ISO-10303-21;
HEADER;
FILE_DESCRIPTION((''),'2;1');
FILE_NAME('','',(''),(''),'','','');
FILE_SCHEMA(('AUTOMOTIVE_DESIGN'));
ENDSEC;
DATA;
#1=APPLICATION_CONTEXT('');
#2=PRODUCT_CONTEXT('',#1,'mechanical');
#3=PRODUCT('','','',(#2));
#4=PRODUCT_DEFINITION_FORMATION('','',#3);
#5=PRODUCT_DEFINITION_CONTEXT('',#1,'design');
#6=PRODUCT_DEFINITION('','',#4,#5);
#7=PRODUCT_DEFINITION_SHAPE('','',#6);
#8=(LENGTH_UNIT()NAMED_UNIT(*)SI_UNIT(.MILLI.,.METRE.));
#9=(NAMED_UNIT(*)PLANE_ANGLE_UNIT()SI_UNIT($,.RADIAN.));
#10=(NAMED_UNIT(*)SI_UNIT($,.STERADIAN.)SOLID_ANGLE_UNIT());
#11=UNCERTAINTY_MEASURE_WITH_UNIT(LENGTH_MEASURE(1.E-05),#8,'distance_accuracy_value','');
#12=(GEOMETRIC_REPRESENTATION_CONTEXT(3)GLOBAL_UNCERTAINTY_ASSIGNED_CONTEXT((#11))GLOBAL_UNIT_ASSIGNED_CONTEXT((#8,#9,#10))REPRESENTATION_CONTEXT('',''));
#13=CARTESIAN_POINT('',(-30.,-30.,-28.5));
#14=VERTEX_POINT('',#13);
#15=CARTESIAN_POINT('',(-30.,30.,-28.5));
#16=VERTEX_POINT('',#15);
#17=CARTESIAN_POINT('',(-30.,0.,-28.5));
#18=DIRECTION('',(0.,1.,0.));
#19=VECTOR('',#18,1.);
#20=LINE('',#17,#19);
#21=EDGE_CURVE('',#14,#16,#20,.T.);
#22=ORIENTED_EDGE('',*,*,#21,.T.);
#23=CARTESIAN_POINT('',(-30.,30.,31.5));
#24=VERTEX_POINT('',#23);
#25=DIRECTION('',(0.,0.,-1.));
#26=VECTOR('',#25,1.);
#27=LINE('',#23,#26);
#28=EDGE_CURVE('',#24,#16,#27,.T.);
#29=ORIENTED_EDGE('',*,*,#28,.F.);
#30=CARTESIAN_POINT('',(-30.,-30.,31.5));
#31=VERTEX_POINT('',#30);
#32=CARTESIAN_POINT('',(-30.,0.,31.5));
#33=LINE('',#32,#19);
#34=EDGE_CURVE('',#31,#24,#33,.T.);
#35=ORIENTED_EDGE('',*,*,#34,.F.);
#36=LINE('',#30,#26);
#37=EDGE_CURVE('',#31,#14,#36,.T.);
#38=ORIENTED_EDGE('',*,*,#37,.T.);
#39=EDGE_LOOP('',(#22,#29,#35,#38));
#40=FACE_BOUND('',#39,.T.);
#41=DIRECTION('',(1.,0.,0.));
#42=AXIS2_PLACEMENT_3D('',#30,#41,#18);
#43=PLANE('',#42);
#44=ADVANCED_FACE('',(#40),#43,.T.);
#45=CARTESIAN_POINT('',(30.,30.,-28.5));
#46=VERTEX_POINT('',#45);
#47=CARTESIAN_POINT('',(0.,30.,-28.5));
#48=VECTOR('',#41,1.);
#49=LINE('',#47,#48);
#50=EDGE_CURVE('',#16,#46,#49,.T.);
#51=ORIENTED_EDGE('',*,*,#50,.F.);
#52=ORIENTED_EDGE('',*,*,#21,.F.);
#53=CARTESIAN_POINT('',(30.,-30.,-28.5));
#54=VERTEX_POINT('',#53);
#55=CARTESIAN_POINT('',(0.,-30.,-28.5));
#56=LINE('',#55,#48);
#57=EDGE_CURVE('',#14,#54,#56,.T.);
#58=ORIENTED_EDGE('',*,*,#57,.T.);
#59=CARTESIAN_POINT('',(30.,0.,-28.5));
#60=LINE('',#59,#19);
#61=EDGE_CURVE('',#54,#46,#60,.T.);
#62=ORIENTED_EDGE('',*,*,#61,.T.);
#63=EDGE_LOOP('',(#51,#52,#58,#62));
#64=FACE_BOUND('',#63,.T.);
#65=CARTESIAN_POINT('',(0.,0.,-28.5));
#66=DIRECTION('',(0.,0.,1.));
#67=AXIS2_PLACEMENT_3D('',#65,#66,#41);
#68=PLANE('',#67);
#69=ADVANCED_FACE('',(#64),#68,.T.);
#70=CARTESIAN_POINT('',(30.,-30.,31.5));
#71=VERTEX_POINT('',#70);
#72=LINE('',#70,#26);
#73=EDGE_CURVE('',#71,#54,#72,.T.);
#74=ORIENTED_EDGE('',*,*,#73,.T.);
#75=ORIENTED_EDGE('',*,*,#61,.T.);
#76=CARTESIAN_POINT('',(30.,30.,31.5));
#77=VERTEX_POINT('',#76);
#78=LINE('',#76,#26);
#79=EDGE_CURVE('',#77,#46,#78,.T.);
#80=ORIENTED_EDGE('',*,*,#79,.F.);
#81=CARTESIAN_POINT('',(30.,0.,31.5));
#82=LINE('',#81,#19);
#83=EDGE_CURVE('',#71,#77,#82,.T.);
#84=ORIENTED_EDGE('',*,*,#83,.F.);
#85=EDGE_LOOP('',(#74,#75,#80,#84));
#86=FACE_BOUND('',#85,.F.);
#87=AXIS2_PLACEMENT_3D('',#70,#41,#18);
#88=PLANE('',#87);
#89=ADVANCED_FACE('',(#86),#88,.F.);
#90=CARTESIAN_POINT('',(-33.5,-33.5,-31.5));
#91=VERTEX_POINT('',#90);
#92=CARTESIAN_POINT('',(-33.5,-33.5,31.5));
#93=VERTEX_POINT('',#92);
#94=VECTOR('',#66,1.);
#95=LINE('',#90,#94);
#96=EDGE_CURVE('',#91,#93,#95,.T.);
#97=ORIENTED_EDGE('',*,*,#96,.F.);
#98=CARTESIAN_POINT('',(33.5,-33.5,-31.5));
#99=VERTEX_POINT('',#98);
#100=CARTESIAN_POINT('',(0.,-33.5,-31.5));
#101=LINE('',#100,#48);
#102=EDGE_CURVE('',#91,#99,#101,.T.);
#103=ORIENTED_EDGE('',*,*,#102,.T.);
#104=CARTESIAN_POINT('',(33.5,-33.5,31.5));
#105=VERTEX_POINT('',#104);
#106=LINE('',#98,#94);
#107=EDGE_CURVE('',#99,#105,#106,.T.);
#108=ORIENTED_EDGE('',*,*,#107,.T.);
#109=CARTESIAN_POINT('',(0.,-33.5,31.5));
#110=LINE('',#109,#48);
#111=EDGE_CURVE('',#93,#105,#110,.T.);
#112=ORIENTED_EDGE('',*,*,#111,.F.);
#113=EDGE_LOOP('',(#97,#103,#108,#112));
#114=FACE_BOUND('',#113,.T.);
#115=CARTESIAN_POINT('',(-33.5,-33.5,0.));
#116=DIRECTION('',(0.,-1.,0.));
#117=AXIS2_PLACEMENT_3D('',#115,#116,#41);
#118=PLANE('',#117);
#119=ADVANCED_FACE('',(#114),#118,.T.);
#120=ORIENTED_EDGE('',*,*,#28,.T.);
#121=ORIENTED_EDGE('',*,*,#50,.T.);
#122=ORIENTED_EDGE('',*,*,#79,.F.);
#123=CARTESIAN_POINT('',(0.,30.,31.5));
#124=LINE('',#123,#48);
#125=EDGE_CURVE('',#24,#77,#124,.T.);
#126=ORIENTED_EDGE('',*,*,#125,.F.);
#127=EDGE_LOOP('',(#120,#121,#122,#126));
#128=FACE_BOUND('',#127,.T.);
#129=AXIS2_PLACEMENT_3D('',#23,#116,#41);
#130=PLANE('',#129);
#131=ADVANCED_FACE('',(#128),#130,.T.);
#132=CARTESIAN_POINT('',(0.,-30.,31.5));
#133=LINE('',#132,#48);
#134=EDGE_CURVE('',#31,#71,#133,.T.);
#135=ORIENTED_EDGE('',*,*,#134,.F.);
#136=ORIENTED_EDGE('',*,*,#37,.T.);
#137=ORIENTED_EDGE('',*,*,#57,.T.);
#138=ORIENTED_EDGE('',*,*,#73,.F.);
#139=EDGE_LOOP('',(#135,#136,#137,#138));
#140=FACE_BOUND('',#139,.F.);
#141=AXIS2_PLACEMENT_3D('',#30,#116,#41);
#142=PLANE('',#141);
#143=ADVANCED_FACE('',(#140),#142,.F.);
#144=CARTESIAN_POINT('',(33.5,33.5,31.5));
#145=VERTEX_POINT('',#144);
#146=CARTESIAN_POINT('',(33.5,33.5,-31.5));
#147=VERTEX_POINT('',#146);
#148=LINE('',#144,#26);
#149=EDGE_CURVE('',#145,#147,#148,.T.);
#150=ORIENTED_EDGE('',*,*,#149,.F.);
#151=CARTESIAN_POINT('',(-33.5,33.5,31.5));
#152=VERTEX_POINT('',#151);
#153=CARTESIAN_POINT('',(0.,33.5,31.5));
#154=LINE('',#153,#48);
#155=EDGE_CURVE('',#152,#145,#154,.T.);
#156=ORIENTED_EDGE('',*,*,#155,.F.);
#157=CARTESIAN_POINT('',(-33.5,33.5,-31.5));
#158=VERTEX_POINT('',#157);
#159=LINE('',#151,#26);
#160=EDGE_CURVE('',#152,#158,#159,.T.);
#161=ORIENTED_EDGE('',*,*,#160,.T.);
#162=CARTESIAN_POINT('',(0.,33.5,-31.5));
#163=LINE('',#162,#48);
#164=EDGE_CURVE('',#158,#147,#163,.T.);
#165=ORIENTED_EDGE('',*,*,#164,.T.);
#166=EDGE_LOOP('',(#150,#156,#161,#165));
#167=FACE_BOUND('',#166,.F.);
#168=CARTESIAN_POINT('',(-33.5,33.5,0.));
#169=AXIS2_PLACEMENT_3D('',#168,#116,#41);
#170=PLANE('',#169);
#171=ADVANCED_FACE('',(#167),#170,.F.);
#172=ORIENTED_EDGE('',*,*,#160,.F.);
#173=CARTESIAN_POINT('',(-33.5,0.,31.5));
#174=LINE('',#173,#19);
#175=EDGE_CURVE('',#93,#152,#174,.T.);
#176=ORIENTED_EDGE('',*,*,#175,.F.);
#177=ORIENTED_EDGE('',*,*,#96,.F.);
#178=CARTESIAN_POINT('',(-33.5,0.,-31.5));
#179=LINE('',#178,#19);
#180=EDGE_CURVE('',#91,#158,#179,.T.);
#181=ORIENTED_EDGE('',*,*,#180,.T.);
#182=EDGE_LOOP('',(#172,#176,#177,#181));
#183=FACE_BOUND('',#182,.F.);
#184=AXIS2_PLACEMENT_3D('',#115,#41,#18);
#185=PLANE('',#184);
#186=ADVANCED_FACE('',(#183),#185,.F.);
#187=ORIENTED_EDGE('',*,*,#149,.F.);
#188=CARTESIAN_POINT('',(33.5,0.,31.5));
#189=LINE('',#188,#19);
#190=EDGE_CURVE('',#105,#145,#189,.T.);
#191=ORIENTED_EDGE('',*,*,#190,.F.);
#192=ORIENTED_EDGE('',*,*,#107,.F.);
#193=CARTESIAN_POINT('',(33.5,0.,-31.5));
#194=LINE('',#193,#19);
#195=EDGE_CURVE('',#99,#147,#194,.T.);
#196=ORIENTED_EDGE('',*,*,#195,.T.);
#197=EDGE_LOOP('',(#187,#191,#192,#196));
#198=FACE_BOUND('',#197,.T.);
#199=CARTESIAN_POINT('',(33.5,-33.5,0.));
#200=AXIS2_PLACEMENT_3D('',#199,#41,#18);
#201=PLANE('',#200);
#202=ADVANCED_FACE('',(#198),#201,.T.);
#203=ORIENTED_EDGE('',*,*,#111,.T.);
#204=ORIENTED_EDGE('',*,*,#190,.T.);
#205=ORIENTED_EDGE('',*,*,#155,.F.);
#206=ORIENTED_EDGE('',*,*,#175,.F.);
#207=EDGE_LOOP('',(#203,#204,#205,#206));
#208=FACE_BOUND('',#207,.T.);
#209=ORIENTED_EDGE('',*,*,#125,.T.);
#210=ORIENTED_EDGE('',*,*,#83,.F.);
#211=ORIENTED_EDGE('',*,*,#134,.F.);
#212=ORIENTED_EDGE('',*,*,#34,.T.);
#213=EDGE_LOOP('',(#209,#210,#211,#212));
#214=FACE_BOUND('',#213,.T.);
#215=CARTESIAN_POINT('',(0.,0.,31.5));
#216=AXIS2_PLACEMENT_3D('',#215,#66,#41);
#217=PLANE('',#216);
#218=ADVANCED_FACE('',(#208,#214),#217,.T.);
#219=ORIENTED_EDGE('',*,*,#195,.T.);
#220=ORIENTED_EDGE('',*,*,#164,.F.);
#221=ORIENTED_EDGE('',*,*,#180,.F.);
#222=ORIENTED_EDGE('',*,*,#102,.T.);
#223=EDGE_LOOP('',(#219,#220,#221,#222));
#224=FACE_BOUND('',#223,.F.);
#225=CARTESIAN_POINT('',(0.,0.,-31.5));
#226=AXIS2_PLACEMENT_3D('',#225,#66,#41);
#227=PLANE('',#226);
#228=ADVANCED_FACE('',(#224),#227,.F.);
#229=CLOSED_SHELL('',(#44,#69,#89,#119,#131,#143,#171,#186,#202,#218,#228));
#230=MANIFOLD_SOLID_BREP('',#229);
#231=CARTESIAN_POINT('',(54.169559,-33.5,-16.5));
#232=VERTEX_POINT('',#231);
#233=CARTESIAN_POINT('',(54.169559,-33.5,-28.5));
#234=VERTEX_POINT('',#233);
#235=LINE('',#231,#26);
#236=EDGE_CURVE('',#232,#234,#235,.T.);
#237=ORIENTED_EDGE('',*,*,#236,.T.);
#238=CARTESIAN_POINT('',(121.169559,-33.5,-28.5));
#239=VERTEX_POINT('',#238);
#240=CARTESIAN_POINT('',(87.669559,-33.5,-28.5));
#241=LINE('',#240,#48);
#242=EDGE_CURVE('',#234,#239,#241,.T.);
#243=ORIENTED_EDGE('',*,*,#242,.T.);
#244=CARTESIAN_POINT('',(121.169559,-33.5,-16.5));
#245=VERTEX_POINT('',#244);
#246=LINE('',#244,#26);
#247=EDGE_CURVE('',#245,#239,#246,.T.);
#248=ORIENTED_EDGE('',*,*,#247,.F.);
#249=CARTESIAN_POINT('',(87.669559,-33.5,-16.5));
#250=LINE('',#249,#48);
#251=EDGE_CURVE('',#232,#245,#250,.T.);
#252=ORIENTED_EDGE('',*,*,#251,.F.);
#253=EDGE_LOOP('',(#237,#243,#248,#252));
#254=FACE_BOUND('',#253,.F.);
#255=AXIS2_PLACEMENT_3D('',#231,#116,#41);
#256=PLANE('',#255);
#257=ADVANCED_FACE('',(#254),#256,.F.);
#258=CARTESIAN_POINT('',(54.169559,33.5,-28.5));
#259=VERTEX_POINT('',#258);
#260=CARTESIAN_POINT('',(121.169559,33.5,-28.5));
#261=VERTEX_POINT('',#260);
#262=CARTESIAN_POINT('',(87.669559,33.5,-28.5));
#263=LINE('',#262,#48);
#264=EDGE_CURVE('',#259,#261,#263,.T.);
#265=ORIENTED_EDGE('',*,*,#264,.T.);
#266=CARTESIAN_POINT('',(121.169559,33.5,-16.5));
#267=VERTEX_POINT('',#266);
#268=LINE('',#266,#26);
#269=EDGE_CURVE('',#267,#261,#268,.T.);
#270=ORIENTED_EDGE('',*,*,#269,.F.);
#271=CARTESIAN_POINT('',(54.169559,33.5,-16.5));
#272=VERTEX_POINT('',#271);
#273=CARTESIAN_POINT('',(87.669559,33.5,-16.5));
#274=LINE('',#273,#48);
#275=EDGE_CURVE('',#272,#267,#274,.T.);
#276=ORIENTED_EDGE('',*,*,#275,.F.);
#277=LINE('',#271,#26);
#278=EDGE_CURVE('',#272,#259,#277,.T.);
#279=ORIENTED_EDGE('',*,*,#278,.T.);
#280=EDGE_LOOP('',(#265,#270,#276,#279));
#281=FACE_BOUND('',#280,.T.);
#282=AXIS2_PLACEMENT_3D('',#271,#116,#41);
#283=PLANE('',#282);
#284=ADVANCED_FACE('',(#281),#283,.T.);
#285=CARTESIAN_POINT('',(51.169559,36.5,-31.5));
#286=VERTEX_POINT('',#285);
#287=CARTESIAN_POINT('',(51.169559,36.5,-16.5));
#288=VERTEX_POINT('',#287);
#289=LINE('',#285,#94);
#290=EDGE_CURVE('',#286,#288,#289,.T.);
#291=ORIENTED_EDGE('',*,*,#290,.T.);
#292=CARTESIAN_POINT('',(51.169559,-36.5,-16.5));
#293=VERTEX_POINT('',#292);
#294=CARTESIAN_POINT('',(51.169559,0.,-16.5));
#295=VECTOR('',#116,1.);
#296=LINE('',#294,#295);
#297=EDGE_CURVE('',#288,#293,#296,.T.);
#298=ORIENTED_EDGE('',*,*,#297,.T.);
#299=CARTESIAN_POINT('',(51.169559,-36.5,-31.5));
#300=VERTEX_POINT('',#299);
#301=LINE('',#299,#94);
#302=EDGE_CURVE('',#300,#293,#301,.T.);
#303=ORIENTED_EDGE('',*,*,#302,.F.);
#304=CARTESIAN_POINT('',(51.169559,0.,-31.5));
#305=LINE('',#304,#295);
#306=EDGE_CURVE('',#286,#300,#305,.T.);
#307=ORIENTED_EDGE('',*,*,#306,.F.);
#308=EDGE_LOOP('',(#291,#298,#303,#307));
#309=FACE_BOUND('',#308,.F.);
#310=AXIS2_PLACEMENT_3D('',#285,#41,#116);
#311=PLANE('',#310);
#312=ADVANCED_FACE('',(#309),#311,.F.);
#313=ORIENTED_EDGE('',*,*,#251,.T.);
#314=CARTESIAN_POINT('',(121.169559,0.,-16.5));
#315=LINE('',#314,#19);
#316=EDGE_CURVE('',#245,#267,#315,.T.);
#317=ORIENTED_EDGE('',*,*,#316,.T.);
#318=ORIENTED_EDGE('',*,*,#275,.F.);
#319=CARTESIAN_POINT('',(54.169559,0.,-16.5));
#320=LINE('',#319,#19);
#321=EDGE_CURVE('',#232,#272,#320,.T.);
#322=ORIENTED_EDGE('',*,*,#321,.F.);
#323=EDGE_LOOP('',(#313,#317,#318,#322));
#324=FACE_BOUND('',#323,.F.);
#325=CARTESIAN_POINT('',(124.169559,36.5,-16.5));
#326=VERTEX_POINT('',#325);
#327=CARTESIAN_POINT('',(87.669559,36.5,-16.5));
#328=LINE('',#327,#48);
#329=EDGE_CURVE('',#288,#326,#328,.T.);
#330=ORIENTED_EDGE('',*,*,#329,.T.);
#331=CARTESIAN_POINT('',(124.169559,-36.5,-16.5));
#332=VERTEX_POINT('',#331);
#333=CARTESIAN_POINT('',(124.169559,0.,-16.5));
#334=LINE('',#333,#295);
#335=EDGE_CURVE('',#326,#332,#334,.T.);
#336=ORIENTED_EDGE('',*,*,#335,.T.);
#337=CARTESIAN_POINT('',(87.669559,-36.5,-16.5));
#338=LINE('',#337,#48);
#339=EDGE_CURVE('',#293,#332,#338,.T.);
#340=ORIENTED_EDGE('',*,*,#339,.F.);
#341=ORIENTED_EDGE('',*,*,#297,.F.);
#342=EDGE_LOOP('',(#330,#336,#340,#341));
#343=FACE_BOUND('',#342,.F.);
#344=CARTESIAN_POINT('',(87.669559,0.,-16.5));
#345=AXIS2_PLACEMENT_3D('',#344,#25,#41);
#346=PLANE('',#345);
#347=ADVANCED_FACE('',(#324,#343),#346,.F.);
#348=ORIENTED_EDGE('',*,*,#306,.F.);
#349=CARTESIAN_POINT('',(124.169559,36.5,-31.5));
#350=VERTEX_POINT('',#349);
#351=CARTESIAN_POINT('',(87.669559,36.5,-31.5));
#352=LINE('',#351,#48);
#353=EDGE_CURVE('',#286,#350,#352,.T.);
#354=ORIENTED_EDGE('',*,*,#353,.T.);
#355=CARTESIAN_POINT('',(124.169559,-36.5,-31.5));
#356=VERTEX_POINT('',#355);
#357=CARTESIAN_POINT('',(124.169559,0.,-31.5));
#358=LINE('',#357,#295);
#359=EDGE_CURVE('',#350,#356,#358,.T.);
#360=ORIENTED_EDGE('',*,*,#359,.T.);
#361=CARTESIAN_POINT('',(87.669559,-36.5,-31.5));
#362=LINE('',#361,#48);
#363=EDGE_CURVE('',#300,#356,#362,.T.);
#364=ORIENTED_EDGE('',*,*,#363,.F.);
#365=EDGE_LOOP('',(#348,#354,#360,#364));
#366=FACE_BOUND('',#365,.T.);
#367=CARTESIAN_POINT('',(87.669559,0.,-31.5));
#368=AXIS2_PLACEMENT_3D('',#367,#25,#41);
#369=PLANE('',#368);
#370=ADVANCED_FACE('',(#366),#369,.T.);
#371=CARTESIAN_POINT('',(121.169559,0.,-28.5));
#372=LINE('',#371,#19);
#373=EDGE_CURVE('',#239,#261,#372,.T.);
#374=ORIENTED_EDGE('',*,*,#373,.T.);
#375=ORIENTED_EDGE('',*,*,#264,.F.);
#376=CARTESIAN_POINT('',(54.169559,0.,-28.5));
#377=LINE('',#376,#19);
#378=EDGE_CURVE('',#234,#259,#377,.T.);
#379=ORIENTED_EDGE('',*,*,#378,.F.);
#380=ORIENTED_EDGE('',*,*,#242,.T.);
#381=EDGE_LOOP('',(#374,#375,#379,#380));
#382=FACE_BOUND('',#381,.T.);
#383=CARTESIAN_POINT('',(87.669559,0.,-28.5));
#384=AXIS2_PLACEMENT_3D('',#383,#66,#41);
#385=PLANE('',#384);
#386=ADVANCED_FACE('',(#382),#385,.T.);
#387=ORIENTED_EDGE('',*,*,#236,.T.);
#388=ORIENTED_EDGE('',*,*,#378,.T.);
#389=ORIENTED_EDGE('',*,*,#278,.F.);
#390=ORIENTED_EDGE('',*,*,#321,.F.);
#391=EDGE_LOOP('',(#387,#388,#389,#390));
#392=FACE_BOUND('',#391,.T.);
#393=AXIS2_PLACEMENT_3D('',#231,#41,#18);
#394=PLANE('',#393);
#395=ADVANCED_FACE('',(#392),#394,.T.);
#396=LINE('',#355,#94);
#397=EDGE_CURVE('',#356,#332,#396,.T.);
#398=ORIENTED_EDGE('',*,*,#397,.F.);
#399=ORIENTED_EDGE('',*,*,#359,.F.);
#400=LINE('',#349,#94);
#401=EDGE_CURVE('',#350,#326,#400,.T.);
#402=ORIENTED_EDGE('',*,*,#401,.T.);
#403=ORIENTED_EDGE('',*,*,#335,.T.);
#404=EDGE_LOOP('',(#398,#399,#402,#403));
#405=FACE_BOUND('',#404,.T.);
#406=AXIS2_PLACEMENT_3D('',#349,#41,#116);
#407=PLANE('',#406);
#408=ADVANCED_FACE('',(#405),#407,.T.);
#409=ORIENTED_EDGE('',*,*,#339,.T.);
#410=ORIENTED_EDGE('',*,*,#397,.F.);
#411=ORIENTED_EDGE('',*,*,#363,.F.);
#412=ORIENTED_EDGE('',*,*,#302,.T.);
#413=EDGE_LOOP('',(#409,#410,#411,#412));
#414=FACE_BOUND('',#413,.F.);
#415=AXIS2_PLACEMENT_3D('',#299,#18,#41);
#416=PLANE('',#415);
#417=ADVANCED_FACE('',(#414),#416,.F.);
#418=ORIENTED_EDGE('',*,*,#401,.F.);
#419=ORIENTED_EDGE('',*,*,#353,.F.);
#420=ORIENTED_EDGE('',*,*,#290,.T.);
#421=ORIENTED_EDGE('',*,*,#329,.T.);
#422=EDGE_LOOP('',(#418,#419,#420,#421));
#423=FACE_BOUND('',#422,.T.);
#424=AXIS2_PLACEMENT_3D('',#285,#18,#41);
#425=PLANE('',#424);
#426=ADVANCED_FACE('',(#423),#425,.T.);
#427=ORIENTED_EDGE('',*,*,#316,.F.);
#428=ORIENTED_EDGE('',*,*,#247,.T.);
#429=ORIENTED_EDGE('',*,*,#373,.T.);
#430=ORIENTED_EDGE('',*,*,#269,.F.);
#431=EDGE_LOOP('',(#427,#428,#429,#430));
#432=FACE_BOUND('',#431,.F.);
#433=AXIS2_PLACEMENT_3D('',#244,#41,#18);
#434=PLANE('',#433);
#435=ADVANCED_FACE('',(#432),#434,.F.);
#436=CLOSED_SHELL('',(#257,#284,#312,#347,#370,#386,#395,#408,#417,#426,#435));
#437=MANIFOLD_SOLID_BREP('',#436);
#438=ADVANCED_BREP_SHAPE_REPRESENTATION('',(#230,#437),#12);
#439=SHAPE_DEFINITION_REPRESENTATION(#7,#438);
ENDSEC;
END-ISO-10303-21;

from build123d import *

# Parameters (mm, degrees)
F0_W     = 67
F0_H     = 67
F1_DEPTH = 31.5
F2_W     = 60
F2_H     = 60
F3_DEPTH = 60
F4_W     = 73
F4_H     = 73
F5_DEPTH = 15
F6_W     = 67
F6_H     = 67
F7_DEPTH = 12


with BuildPart() as f1:
    # F0 (on Top) → F1 (new body, symmetric)
    with BuildSketch(Plane.XY):
        Rectangle(F0_W, F0_H)
    extrude(amount=F1_DEPTH, both=True)

    # F2 (on face) → F3 (cut)
    with BuildSketch(Plane.XY.offset(31.5)):
        Rectangle(F2_W, F2_H)
    extrude(amount=-F3_DEPTH, mode=Mode.SUBTRACT)


with BuildPart() as f5:
    # F4 (on face) → F5 (new body)
    with BuildSketch(Plane(origin=(0, 0, -31.5), x_dir=(1, 0, 0), z_dir=(0, 0, -1))):
        with Locations((87.669559, 0)):
            Rectangle(F4_W, F4_H)
    extrude(amount=-F5_DEPTH)

    # F6 (on face) → F7 (cut)
    with BuildSketch(Plane.XY.offset(-16.5)):
        with Locations((87.669559, 0)):
            Rectangle(F6_W, F6_H)
    extrude(amount=-F7_DEPTH, mode=Mode.SUBTRACT)


solid = Compound([f1.part, f5.part])
